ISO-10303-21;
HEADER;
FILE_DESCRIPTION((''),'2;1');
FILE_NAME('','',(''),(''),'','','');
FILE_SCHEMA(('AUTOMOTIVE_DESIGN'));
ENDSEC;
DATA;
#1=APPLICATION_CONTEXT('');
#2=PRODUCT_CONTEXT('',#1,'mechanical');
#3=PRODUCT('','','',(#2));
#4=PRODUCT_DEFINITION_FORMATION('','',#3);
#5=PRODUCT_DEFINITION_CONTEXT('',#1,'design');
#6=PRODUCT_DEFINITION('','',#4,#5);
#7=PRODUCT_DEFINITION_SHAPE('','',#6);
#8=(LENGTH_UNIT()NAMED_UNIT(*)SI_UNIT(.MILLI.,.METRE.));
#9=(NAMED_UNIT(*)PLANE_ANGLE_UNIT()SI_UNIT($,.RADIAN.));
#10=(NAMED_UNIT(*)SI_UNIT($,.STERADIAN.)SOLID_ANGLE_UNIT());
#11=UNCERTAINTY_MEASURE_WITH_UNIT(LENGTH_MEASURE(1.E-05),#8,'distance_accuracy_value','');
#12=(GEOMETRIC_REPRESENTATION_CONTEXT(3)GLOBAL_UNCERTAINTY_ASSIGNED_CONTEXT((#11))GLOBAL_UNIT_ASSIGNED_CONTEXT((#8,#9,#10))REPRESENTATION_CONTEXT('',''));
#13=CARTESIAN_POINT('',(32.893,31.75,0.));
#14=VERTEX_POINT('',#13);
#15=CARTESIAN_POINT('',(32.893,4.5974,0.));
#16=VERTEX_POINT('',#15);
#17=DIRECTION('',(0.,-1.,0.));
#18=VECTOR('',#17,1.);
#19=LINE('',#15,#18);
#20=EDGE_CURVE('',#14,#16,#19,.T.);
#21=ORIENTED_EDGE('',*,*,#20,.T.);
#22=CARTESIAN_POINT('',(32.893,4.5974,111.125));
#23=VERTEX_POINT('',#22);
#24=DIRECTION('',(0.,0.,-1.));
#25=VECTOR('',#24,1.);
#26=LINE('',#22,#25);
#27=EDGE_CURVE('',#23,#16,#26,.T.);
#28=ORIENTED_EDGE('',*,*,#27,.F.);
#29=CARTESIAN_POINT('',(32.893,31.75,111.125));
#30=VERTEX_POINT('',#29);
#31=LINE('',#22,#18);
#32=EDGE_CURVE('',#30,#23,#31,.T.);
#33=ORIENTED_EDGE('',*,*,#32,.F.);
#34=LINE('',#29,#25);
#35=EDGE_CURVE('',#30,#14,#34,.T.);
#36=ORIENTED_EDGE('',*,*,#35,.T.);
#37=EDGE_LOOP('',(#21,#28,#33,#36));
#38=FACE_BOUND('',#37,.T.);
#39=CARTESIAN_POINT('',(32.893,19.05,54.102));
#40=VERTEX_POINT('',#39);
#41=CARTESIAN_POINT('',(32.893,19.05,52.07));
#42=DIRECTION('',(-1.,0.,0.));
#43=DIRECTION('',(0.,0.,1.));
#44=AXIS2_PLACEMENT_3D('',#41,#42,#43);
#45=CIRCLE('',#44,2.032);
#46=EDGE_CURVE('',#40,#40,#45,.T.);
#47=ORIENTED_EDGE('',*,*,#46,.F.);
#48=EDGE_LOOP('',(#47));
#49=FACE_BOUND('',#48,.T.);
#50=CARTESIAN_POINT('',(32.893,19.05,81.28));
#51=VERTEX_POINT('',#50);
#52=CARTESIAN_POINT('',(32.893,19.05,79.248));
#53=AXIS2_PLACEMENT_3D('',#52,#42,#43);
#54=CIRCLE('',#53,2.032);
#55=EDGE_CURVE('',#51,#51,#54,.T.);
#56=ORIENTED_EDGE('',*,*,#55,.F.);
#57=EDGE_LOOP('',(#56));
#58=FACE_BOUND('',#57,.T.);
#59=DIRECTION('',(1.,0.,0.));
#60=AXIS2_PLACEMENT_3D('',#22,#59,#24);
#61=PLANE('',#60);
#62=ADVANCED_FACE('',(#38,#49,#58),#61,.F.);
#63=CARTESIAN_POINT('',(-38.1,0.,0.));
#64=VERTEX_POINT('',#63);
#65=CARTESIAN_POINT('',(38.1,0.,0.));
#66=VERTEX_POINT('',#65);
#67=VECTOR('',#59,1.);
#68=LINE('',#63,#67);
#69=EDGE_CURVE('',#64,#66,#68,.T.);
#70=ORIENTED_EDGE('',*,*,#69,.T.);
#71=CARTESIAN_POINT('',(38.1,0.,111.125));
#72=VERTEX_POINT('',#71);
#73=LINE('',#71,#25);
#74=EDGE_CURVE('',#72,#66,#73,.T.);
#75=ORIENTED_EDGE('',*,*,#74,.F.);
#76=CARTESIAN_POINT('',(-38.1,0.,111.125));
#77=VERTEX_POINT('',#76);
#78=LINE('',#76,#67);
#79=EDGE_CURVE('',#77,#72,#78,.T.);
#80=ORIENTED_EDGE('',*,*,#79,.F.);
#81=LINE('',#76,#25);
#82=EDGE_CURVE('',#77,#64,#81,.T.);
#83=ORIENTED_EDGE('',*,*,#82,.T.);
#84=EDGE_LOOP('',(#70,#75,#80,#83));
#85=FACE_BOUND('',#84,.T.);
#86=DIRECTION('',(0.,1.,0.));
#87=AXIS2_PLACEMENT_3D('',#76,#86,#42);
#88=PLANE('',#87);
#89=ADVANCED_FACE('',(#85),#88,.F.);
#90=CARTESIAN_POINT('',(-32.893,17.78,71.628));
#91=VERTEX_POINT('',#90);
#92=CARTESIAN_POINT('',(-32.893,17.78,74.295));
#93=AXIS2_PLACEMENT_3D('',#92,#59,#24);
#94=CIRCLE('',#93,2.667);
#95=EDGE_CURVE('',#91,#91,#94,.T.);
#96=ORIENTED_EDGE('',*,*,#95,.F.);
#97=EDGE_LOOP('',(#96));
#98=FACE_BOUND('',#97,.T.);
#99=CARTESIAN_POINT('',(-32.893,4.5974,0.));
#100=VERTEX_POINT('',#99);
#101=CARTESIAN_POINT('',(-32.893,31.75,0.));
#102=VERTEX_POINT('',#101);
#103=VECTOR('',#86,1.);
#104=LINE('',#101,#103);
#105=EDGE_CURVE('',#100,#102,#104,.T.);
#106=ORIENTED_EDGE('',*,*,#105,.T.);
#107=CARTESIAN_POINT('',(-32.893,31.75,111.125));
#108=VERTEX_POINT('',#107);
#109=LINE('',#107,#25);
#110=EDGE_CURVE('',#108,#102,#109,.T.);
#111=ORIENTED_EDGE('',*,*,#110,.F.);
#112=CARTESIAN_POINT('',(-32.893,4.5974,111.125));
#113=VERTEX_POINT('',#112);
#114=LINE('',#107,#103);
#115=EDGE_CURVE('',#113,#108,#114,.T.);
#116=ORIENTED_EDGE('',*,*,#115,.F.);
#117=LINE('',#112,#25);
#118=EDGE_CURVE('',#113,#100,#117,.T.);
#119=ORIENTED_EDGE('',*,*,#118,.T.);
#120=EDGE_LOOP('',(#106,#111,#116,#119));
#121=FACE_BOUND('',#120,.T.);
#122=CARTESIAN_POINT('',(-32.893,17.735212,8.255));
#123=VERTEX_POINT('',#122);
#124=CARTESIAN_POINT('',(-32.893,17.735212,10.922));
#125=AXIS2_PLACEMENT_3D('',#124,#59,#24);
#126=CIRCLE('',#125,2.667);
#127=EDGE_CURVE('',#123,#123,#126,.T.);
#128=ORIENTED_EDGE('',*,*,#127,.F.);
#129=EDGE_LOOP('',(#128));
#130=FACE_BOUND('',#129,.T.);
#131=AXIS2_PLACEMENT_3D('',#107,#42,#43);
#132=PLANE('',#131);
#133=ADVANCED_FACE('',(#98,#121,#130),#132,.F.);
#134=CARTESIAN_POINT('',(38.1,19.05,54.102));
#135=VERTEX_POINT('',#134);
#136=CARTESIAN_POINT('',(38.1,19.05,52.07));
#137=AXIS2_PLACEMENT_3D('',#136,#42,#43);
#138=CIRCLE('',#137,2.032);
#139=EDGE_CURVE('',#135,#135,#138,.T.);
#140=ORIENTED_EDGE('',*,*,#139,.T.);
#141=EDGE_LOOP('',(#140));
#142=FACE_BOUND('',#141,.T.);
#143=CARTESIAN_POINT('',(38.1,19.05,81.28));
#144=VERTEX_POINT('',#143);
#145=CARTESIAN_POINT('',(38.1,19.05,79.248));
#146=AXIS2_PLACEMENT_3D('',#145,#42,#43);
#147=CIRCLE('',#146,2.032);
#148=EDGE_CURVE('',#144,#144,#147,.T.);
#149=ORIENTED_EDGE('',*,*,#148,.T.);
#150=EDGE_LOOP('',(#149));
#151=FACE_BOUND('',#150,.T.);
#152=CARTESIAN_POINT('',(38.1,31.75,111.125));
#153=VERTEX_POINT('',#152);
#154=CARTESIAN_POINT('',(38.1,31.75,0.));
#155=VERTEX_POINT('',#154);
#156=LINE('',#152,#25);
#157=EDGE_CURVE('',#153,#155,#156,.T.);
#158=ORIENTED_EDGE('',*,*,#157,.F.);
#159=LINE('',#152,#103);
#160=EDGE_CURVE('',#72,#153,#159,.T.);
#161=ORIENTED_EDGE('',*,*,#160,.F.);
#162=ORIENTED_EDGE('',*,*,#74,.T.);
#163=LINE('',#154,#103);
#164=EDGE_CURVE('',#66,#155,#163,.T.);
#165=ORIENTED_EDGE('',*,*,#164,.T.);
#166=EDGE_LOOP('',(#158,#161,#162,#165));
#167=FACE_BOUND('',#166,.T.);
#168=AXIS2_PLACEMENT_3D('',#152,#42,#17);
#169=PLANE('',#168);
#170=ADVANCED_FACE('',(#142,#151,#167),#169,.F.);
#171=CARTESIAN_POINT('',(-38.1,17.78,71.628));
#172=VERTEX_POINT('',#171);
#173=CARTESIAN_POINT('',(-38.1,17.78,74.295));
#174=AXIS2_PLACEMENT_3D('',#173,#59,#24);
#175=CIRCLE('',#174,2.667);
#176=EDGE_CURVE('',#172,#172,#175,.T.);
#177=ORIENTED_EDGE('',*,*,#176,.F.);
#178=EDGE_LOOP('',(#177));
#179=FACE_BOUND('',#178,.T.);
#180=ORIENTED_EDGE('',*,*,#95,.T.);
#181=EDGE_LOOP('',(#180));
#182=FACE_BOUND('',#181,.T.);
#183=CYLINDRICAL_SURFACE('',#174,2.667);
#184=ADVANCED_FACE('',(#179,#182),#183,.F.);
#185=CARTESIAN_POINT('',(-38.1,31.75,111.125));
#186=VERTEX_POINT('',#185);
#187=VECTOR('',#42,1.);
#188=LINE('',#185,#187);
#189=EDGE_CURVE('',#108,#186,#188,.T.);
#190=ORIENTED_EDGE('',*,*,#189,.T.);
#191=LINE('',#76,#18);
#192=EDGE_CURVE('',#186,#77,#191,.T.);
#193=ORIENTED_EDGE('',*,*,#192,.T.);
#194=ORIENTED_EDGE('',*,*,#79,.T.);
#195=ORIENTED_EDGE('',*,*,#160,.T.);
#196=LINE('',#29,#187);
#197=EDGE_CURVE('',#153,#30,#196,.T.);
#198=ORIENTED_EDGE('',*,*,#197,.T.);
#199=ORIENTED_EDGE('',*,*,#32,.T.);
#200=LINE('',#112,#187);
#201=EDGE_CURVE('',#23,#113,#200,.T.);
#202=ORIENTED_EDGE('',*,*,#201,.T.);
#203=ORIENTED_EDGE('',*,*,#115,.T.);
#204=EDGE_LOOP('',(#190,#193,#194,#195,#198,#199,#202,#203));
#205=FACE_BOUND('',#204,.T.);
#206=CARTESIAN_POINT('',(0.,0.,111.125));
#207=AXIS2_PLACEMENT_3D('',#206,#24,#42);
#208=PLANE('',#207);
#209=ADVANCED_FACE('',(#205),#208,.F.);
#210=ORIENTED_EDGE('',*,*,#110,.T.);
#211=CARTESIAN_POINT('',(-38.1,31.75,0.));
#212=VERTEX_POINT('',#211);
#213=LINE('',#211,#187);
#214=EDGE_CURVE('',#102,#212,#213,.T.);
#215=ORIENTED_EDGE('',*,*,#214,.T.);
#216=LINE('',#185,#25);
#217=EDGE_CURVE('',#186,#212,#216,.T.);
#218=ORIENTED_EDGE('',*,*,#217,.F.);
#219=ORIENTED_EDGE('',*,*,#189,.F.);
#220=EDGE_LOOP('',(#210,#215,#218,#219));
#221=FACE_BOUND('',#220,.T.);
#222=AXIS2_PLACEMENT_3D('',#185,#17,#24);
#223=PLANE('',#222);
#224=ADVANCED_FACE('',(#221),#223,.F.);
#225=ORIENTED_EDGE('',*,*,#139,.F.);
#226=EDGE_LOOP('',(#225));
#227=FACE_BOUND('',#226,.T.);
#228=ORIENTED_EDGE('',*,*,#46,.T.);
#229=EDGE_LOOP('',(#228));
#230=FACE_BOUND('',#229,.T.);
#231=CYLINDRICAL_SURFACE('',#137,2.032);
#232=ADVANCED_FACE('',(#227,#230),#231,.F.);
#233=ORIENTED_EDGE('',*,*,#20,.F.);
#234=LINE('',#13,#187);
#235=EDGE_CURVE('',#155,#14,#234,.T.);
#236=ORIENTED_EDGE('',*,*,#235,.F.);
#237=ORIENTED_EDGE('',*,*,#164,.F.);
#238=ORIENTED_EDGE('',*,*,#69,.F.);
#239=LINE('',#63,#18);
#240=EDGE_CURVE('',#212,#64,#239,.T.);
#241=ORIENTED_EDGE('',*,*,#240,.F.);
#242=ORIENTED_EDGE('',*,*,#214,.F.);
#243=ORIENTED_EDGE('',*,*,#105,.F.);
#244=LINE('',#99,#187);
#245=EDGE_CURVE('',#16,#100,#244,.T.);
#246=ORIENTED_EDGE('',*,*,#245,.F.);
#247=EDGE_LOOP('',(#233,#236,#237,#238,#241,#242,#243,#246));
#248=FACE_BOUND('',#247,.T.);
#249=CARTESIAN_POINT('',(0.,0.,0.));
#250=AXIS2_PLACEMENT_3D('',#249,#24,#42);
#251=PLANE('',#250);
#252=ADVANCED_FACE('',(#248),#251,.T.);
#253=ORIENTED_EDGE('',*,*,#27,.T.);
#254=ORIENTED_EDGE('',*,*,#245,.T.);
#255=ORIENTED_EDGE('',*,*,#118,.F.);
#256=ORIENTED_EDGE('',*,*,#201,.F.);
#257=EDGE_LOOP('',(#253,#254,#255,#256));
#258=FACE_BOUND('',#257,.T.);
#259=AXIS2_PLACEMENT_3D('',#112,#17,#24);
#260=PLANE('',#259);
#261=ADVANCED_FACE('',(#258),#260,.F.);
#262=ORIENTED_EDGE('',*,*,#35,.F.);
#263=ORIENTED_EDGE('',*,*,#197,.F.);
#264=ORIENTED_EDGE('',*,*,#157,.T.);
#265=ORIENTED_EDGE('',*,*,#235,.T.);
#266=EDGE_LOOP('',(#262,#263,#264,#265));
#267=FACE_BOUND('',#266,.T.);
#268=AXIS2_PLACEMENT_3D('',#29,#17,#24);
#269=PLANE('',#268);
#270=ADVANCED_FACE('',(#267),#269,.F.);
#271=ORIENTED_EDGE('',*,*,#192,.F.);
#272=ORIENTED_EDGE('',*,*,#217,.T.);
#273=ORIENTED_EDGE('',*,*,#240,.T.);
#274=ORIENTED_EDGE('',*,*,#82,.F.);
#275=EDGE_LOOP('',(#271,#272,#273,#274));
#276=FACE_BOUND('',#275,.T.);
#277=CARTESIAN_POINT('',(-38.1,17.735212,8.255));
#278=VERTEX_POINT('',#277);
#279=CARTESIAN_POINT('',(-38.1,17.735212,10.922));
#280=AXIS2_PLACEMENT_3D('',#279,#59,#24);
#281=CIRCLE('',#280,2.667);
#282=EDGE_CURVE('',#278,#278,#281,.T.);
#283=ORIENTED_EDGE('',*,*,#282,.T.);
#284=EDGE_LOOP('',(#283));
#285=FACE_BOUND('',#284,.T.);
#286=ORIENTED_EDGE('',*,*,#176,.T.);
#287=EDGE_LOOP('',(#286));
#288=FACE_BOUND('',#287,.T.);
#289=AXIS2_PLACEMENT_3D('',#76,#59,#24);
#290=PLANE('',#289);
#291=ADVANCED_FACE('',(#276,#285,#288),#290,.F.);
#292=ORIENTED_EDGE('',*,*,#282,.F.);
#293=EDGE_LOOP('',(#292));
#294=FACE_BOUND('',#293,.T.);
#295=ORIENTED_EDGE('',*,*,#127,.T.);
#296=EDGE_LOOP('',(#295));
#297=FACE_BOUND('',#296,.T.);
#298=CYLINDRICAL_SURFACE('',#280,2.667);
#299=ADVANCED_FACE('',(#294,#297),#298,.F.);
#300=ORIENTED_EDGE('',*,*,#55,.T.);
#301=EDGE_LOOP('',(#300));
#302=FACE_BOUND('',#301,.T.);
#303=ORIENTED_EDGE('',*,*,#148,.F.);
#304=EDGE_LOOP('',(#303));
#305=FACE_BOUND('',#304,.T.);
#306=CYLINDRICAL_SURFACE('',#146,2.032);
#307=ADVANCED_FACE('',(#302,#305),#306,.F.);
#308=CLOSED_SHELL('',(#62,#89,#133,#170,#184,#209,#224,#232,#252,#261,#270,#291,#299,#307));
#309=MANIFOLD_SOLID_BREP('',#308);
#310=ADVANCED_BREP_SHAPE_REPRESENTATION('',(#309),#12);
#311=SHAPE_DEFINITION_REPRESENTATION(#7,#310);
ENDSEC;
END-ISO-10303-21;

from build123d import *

# Parameters (mm, degrees)
BOSS_EXTRUDE3_DEPTH = 111.125
SKETCH4_R           = 2.667
CUT_EXTRUDE1_DEPTH  = 136.634929771
SKETCH5_R           = 2.667
CUT_EXTRUDE2_DEPTH  = 136.634929771
SKETCH6_R           = 2.032
CUT_EXTRUDE3_DEPTH  = 136.634929771
SKETCH7_R           = 2.032
CUT_EXTRUDE4_DEPTH  = 136.634929771


with BuildPart() as part:
    # Sketch2 → Boss-Extrude3 (new body)
    with BuildSketch(Plane.XY):
        Polygon((-38.1, 0), (38.1, 0), (38.1, 31.75), (32.893, 31.75), (32.893, 4.5974), (-32.893, 4.5974), (-32.893, 31.75), (-38.1, 31.75), align=None)
    extrude(amount=BOSS_EXTRUDE3_DEPTH)

    # Sketch4 → Cut-Extrude1 (cut, through all)
    with BuildSketch(Plane(origin=(-32.893, 0, 0), x_dir=(0, 0, -1), z_dir=(1, 0, 0))):
        with Locations((-10.922, 17.735211787)):
            Circle(SKETCH4_R)
    extrude(amount=-CUT_EXTRUDE1_DEPTH, mode=Mode.SUBTRACT)

    # Sketch5 → Cut-Extrude2 (cut, through all)
    with BuildSketch(Plane(origin=(-32.893, 0, 0), x_dir=(0, 0, -1), z_dir=(1, 0, 0))):
        with Locations((-74.295, 17.78)):
            Circle(SKETCH5_R)
    extrude(amount=-CUT_EXTRUDE2_DEPTH, mode=Mode.SUBTRACT)

    # Sketch6 → Cut-Extrude3 (cut, through all)
    with BuildSketch(Plane.ZY.offset(-32.893)):
        with Locations((52.07, 19.05)):
            Circle(SKETCH6_R)
    extrude(amount=-CUT_EXTRUDE3_DEPTH, mode=Mode.SUBTRACT)

    # Sketch7 → Cut-Extrude4 (cut, through all)
    with BuildSketch(Plane.ZY.offset(-32.893)):
        with Locations((79.248, 19.05)):
            Circle(SKETCH7_R)
    extrude(amount=-CUT_EXTRUDE4_DEPTH, mode=Mode.SUBTRACT)


solid = part.part
